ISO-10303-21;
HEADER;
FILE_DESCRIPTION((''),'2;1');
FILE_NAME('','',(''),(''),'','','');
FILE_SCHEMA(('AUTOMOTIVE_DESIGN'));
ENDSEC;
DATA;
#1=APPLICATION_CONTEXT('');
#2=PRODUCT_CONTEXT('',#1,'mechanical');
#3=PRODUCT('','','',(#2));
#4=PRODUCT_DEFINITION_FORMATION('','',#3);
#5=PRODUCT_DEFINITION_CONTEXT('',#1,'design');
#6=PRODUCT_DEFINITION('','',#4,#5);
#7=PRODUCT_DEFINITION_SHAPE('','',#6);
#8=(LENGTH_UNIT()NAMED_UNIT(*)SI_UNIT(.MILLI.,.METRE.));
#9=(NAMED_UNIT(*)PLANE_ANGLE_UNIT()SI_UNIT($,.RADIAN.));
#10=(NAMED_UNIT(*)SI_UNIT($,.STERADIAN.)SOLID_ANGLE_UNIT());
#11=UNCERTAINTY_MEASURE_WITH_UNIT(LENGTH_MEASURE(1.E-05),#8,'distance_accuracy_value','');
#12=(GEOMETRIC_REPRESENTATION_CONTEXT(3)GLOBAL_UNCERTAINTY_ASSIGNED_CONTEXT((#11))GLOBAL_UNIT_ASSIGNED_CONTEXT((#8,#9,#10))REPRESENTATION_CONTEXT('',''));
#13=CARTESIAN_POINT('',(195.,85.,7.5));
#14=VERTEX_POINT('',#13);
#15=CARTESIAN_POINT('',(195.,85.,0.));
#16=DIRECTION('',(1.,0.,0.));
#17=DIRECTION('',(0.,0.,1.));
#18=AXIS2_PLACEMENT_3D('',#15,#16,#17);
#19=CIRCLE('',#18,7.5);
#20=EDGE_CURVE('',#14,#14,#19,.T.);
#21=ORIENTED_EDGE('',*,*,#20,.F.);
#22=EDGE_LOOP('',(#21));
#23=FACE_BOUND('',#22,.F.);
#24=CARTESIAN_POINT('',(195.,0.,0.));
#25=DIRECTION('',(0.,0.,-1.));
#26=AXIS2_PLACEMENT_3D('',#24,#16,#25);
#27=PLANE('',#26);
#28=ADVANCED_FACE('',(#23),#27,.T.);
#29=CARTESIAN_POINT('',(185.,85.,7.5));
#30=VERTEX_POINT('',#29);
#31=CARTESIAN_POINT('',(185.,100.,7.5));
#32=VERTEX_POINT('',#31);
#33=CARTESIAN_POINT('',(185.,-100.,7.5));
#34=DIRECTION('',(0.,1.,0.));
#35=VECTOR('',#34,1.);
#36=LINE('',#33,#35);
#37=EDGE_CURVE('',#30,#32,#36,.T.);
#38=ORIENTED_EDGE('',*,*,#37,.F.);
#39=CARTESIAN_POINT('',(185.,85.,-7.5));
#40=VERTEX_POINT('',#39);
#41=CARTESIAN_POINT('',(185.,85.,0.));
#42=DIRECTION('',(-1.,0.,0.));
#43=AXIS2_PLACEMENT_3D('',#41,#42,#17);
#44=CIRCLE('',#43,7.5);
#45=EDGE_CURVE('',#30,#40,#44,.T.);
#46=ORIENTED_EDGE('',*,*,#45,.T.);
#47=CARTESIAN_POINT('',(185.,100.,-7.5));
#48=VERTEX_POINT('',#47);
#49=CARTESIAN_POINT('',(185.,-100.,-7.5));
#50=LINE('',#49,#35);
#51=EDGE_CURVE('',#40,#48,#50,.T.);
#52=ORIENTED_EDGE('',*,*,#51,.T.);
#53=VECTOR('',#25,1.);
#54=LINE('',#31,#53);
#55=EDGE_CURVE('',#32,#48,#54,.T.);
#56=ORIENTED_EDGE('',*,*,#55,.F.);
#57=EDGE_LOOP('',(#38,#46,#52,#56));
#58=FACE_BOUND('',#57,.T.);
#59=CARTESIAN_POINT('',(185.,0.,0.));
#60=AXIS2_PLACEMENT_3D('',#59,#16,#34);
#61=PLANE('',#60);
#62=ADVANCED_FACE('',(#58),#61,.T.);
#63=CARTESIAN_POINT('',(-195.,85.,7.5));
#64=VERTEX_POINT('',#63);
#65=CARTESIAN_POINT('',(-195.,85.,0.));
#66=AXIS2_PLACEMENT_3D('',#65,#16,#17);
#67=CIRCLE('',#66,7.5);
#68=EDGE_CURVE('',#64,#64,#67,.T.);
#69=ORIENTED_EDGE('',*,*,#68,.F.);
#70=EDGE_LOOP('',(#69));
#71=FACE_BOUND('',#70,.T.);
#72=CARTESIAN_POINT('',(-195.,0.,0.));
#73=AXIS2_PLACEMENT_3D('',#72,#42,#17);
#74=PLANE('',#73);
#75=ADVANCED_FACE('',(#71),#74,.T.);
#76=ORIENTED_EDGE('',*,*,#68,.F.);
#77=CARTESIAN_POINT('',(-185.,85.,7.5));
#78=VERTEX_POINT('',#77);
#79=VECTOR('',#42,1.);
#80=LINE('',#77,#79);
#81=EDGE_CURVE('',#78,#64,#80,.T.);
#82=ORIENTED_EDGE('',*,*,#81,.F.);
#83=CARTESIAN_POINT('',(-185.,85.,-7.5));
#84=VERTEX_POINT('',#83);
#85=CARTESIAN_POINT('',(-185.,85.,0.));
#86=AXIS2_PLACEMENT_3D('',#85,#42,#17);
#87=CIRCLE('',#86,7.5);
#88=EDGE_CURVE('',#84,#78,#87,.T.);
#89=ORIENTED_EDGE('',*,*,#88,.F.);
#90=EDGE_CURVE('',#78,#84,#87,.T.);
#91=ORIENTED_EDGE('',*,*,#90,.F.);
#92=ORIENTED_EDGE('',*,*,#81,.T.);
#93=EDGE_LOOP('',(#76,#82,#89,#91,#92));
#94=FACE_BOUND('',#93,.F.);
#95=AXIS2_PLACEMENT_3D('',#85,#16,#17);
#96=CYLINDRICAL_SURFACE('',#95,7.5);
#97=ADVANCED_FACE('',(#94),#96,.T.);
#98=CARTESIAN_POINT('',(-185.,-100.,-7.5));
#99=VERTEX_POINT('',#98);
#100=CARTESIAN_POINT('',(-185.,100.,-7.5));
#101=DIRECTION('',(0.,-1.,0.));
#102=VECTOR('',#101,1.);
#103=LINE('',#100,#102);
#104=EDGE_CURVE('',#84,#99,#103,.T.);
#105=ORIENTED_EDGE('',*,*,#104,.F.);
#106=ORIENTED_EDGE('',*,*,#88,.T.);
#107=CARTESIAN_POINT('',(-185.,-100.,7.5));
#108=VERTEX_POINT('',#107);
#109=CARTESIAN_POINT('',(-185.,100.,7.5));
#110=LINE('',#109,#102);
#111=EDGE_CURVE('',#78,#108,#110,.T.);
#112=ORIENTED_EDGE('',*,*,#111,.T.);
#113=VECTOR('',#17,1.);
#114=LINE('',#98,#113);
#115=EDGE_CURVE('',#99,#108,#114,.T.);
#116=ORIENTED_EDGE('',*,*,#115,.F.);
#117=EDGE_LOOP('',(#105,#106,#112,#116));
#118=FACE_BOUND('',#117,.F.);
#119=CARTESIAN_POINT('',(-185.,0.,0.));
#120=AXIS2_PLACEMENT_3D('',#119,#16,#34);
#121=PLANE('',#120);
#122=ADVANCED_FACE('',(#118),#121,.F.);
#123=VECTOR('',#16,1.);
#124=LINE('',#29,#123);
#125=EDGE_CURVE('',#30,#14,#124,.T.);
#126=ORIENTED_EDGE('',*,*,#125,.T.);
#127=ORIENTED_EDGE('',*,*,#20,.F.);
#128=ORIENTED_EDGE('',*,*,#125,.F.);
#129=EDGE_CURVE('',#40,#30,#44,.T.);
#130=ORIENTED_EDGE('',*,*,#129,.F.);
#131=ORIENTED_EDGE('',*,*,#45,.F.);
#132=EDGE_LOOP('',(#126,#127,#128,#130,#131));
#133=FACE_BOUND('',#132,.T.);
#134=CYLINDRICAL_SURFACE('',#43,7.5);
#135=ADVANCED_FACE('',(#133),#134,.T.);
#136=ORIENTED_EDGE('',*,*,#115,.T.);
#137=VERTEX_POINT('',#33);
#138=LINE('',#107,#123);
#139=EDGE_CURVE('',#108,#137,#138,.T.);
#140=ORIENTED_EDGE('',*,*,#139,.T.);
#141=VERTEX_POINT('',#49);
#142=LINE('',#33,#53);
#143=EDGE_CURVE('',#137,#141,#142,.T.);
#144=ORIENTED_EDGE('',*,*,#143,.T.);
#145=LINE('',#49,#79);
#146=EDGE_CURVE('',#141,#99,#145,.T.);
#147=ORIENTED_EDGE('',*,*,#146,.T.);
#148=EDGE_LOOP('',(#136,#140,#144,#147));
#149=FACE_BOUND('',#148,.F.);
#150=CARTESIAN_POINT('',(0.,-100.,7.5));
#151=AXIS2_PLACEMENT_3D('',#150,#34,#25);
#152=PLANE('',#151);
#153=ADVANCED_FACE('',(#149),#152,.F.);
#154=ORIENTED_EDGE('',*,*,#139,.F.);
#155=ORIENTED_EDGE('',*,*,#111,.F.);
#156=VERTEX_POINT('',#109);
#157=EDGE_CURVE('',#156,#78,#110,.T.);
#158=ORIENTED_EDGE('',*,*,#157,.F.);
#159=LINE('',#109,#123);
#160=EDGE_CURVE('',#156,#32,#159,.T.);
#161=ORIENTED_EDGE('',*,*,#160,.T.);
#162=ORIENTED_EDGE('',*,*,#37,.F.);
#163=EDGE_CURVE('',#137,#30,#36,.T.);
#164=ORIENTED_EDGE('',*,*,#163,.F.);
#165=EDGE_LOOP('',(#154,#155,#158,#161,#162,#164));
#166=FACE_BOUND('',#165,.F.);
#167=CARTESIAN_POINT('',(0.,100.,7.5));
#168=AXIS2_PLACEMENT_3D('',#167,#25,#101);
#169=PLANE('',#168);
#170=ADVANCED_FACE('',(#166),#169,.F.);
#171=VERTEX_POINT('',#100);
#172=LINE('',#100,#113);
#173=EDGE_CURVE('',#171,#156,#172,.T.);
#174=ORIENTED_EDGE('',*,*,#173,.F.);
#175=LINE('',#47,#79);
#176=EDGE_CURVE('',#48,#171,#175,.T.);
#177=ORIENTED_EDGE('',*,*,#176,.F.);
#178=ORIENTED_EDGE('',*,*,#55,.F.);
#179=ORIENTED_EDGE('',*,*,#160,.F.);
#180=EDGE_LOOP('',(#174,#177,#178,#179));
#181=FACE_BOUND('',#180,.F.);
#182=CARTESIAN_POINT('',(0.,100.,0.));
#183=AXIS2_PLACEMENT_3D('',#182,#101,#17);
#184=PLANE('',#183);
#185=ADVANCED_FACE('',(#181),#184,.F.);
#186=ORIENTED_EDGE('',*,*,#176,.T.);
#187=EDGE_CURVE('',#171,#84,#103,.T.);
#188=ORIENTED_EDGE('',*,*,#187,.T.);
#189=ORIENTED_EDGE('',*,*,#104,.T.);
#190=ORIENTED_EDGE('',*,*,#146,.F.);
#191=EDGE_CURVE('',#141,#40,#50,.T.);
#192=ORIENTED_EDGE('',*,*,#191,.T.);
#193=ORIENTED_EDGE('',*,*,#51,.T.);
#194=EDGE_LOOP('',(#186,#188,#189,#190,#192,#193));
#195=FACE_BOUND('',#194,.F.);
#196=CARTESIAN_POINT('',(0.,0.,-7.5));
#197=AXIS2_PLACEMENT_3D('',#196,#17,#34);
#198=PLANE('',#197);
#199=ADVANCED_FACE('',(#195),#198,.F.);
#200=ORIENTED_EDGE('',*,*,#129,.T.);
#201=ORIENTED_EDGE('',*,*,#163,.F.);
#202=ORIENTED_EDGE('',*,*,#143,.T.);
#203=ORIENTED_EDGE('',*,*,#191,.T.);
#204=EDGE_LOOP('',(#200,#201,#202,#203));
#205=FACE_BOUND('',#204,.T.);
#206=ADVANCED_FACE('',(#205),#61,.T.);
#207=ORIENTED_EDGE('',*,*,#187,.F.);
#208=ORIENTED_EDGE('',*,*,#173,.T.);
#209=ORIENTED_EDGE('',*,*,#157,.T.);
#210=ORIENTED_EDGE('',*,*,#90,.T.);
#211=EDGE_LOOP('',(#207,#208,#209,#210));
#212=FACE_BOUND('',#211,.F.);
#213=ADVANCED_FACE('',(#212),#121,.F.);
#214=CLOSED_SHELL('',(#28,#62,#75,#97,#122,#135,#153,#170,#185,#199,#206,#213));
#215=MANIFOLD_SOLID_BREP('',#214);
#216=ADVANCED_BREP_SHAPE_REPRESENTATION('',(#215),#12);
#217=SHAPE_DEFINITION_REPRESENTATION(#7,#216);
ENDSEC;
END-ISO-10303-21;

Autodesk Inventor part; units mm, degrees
ref_plane "YZ Plane" through (0, 0, 0) normal (1, 0, 0) x (0, 1, 0)
ref_plane "XZ Plane" through (0, 0, 0) normal (0, 1, 0) x (-1, 0, 0)
ref_plane "XY Plane" through (0, 0, 0) normal (0, 0, 1) x (1, 0, 0)
sketch "草图1" plane through (0, 0, 0) normal (1, 0, 0) x (0, 1, 0)
  line L0 (100, 7.5) -> (-100, 7.5)
  line L1 (-100, 7.5) -> (-100, -7.5)
  line L2 (-100, -7.5) -> (100, -7.5)
  line L3 (100, -7.5) -> (100, 7.5)
  line L4 (0, -10.5) -> (0, 10.5) projected
  line L5 (-140, 0) -> (140, 0) projected
  point P0 (0, 0)
  dimension "d0" = 15
  dimension "d1" = 200
extrude "拉伸1" add sketch "草图1" along normal mid plane 370
sketch "草图2" plane through (-185, 0, 0) normal (-1, 0, 0) x (0, 0, 1)
  line L0 (0, -148.5) -> (0, 191) projected
  circle A0 centre (0, 85) radius 7.5
  line L1 (7.5, 100) -> (-7.5, 100) projected
  point P0 (0, 0)
  dimension "d4" = 15
  dimension "d5" = 15
extrude "拉伸2" add sketch "草图2" along normal blind 10
mirror "镜像1" about plane through (0, 0, 0) normal (1, 0, 0) of "拉伸2"
properties part number "挡板"
